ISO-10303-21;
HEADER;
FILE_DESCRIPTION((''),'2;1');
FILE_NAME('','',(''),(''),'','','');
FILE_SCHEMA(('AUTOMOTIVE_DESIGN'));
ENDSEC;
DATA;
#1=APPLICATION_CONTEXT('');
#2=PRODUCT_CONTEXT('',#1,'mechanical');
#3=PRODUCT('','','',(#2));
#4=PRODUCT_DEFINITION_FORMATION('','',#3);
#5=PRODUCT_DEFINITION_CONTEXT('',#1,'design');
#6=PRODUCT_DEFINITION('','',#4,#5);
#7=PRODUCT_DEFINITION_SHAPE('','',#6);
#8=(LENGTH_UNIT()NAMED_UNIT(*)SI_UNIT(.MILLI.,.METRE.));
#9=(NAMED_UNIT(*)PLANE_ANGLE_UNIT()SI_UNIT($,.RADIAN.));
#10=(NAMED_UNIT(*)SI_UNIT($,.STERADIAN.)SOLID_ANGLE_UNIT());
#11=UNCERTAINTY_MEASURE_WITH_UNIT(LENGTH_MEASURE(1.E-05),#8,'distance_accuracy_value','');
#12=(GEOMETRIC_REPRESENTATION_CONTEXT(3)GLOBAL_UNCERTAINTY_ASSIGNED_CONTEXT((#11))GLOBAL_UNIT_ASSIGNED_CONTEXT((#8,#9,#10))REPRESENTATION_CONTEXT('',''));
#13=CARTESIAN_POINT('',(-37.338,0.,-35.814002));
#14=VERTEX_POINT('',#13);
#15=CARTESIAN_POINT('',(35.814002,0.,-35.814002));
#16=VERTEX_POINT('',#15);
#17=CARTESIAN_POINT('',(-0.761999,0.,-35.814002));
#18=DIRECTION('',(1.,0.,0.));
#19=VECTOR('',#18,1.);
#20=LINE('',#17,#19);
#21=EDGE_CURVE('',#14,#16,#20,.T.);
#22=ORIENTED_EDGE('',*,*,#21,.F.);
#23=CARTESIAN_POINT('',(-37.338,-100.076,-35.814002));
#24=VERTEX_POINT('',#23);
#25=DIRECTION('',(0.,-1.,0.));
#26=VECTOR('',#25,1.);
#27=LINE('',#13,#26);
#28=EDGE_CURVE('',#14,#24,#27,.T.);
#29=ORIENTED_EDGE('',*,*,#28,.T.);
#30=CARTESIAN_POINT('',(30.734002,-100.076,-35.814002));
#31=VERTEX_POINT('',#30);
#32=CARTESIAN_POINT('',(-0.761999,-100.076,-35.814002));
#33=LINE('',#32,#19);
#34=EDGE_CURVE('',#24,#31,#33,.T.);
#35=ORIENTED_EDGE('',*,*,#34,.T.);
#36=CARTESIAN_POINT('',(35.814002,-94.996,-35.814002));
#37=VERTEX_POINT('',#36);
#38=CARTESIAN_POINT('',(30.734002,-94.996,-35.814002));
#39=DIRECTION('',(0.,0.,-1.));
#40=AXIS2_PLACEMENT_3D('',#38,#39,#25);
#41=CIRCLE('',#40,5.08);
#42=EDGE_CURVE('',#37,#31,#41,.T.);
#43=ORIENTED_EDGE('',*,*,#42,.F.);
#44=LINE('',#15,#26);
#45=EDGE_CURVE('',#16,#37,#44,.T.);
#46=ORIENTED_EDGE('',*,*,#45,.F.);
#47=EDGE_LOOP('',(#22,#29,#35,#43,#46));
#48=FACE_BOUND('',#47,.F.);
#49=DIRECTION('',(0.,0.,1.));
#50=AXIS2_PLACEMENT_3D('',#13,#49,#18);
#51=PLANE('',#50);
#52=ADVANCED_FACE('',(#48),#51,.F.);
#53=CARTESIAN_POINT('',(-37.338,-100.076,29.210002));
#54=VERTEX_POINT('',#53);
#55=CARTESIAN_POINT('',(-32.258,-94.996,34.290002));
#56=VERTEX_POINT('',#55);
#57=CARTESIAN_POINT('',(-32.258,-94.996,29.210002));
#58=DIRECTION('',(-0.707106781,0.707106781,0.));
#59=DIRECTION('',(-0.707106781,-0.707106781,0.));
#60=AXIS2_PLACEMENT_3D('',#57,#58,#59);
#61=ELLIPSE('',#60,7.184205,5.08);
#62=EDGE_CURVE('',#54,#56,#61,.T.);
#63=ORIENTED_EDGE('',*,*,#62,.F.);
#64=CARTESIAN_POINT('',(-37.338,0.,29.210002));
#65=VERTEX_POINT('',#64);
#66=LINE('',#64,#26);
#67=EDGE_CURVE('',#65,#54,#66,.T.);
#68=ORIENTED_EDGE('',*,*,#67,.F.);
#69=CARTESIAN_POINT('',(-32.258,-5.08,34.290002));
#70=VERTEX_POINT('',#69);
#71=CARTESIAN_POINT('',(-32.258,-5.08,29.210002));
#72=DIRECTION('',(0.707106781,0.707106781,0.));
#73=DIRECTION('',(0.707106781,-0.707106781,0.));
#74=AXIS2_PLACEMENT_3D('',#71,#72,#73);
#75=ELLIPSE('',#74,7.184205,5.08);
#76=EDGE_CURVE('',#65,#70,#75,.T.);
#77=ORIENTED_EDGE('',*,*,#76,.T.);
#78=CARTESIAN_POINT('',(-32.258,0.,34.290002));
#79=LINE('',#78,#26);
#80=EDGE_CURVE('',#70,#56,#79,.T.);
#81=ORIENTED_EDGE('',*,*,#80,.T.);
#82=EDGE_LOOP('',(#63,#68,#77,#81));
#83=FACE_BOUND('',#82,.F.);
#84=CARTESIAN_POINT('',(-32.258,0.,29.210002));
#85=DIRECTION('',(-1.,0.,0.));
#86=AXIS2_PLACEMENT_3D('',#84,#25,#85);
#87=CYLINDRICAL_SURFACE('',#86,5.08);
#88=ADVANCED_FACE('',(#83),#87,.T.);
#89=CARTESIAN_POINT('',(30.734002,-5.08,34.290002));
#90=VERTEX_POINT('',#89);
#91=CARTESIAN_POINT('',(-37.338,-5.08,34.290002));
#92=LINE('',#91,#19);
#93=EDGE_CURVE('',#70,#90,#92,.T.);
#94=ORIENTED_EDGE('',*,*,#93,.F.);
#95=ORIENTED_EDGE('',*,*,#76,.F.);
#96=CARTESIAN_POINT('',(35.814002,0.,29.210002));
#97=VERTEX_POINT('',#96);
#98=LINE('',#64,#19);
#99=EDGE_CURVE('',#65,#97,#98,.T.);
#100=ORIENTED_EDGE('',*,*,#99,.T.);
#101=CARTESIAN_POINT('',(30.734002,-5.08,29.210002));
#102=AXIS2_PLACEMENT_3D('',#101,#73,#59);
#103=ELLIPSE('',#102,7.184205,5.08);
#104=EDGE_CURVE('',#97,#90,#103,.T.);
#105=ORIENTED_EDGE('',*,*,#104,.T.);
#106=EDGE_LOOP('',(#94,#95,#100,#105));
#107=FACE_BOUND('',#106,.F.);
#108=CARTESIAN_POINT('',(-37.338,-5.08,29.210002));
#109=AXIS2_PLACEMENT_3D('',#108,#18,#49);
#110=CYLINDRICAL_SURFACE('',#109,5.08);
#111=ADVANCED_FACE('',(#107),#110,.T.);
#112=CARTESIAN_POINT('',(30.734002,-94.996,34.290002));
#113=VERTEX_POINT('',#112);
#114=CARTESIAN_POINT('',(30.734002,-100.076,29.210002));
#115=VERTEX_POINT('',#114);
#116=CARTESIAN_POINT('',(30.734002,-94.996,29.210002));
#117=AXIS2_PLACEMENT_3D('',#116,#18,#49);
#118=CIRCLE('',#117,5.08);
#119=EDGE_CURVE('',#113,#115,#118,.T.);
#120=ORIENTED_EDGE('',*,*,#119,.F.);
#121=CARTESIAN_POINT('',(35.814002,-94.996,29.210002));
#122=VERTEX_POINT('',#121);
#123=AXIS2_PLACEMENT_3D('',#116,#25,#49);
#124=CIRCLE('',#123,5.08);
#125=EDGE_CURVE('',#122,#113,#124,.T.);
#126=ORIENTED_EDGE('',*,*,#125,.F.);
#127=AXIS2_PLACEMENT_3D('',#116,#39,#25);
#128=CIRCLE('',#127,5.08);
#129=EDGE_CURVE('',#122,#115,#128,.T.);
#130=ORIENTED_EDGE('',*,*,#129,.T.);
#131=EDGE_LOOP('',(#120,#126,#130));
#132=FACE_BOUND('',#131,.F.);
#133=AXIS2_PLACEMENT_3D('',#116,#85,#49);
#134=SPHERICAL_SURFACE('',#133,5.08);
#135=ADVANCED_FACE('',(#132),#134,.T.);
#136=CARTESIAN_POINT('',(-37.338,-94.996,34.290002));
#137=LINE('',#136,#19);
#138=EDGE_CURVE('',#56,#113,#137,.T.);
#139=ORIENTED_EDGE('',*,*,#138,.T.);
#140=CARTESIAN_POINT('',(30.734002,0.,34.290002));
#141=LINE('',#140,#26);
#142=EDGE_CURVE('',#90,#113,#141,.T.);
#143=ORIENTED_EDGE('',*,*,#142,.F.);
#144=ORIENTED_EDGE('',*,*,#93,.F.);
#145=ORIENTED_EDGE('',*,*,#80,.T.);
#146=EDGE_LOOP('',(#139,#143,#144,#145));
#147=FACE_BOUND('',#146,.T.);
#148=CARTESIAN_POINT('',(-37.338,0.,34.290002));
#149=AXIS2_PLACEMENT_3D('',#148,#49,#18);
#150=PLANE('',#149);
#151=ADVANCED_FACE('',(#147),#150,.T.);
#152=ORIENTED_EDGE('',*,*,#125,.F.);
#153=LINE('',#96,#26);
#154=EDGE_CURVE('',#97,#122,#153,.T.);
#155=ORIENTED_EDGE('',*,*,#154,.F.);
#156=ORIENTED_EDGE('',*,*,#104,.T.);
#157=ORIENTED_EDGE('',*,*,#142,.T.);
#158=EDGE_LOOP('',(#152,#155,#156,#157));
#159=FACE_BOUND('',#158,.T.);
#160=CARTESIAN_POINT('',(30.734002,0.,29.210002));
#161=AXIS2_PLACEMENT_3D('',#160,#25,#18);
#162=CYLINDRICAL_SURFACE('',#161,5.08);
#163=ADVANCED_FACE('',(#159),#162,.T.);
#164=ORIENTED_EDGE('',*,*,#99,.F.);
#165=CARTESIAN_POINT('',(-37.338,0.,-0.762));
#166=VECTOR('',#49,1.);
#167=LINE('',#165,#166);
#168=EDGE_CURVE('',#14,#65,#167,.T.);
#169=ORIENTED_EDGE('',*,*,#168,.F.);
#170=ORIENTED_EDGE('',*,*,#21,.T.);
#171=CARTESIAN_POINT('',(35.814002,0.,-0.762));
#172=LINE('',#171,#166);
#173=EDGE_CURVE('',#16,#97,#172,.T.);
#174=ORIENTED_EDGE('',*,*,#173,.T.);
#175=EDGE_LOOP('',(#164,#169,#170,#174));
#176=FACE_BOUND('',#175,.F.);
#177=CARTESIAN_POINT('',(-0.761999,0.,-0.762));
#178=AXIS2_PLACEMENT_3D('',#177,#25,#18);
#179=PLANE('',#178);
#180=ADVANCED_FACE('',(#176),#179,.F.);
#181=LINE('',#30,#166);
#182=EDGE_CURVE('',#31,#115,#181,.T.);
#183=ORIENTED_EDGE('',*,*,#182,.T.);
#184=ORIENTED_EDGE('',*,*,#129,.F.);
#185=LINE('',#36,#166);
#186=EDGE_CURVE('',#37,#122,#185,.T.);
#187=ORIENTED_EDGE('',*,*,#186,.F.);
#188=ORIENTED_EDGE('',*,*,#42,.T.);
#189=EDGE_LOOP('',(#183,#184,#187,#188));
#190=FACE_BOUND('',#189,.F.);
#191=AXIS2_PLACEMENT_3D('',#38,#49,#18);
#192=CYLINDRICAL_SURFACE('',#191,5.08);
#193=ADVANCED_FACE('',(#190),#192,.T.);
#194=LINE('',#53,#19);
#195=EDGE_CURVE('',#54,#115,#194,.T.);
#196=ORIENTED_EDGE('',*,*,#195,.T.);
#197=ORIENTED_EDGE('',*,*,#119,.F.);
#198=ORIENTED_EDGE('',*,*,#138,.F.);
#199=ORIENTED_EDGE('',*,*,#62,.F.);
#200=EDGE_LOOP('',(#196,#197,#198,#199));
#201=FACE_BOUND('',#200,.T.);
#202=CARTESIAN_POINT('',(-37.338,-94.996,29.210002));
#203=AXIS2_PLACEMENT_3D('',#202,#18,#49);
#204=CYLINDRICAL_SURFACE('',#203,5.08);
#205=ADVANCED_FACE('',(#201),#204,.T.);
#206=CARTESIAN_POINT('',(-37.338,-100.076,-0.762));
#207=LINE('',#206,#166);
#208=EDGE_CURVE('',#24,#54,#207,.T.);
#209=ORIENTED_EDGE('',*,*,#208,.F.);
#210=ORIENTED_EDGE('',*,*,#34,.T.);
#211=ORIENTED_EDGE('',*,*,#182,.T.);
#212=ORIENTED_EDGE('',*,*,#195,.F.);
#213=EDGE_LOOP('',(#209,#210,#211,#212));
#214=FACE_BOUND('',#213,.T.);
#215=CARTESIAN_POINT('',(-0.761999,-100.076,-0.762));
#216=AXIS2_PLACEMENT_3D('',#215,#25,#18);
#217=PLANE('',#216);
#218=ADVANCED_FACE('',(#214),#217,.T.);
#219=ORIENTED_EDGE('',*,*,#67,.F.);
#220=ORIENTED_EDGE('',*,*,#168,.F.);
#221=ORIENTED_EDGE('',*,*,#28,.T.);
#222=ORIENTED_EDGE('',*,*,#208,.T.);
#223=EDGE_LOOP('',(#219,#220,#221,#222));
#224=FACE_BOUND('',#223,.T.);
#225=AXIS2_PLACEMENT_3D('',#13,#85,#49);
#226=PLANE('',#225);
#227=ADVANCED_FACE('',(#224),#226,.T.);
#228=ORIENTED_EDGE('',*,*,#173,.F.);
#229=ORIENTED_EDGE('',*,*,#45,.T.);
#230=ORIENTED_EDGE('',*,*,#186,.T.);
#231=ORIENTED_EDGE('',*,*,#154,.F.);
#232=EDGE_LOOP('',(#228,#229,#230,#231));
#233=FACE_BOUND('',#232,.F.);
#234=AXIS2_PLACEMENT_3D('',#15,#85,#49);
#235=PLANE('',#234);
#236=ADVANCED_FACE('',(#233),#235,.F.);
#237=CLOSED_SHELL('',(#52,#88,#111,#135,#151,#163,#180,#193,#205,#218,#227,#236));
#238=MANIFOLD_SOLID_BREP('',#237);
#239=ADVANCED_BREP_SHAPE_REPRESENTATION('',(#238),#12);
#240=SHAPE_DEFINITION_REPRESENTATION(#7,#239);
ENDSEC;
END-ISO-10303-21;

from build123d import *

# Parameters (mm, degrees)
F0_W     = 73.152002
F0_H     = 70.104003
F1_DEPTH = 100.076
F2_R     = 5.08


with BuildPart() as f1:
    # F0 (on Front) → F1 (new body)
    with BuildSketch(Plane.XZ):
        with Locations((-0.761999, -0.762)):
            Rectangle(F0_W, F0_H)
    extrude(amount=F1_DEPTH)

    # F2
    f2_edges = [f1.edges().sort_by_distance(p)[0] for p in [
        (-37.338, -50.038, 34.290001),
        (-0.761999, -100.076, 34.290001),
        (35.814002, -50.038, 34.290001),
        (-0.761999, 0, 34.290001),
        (35.814002, -100.076, -0.762001),
    ]]
    fillet(f2_edges, radius=F2_R)


solid = f1.part
